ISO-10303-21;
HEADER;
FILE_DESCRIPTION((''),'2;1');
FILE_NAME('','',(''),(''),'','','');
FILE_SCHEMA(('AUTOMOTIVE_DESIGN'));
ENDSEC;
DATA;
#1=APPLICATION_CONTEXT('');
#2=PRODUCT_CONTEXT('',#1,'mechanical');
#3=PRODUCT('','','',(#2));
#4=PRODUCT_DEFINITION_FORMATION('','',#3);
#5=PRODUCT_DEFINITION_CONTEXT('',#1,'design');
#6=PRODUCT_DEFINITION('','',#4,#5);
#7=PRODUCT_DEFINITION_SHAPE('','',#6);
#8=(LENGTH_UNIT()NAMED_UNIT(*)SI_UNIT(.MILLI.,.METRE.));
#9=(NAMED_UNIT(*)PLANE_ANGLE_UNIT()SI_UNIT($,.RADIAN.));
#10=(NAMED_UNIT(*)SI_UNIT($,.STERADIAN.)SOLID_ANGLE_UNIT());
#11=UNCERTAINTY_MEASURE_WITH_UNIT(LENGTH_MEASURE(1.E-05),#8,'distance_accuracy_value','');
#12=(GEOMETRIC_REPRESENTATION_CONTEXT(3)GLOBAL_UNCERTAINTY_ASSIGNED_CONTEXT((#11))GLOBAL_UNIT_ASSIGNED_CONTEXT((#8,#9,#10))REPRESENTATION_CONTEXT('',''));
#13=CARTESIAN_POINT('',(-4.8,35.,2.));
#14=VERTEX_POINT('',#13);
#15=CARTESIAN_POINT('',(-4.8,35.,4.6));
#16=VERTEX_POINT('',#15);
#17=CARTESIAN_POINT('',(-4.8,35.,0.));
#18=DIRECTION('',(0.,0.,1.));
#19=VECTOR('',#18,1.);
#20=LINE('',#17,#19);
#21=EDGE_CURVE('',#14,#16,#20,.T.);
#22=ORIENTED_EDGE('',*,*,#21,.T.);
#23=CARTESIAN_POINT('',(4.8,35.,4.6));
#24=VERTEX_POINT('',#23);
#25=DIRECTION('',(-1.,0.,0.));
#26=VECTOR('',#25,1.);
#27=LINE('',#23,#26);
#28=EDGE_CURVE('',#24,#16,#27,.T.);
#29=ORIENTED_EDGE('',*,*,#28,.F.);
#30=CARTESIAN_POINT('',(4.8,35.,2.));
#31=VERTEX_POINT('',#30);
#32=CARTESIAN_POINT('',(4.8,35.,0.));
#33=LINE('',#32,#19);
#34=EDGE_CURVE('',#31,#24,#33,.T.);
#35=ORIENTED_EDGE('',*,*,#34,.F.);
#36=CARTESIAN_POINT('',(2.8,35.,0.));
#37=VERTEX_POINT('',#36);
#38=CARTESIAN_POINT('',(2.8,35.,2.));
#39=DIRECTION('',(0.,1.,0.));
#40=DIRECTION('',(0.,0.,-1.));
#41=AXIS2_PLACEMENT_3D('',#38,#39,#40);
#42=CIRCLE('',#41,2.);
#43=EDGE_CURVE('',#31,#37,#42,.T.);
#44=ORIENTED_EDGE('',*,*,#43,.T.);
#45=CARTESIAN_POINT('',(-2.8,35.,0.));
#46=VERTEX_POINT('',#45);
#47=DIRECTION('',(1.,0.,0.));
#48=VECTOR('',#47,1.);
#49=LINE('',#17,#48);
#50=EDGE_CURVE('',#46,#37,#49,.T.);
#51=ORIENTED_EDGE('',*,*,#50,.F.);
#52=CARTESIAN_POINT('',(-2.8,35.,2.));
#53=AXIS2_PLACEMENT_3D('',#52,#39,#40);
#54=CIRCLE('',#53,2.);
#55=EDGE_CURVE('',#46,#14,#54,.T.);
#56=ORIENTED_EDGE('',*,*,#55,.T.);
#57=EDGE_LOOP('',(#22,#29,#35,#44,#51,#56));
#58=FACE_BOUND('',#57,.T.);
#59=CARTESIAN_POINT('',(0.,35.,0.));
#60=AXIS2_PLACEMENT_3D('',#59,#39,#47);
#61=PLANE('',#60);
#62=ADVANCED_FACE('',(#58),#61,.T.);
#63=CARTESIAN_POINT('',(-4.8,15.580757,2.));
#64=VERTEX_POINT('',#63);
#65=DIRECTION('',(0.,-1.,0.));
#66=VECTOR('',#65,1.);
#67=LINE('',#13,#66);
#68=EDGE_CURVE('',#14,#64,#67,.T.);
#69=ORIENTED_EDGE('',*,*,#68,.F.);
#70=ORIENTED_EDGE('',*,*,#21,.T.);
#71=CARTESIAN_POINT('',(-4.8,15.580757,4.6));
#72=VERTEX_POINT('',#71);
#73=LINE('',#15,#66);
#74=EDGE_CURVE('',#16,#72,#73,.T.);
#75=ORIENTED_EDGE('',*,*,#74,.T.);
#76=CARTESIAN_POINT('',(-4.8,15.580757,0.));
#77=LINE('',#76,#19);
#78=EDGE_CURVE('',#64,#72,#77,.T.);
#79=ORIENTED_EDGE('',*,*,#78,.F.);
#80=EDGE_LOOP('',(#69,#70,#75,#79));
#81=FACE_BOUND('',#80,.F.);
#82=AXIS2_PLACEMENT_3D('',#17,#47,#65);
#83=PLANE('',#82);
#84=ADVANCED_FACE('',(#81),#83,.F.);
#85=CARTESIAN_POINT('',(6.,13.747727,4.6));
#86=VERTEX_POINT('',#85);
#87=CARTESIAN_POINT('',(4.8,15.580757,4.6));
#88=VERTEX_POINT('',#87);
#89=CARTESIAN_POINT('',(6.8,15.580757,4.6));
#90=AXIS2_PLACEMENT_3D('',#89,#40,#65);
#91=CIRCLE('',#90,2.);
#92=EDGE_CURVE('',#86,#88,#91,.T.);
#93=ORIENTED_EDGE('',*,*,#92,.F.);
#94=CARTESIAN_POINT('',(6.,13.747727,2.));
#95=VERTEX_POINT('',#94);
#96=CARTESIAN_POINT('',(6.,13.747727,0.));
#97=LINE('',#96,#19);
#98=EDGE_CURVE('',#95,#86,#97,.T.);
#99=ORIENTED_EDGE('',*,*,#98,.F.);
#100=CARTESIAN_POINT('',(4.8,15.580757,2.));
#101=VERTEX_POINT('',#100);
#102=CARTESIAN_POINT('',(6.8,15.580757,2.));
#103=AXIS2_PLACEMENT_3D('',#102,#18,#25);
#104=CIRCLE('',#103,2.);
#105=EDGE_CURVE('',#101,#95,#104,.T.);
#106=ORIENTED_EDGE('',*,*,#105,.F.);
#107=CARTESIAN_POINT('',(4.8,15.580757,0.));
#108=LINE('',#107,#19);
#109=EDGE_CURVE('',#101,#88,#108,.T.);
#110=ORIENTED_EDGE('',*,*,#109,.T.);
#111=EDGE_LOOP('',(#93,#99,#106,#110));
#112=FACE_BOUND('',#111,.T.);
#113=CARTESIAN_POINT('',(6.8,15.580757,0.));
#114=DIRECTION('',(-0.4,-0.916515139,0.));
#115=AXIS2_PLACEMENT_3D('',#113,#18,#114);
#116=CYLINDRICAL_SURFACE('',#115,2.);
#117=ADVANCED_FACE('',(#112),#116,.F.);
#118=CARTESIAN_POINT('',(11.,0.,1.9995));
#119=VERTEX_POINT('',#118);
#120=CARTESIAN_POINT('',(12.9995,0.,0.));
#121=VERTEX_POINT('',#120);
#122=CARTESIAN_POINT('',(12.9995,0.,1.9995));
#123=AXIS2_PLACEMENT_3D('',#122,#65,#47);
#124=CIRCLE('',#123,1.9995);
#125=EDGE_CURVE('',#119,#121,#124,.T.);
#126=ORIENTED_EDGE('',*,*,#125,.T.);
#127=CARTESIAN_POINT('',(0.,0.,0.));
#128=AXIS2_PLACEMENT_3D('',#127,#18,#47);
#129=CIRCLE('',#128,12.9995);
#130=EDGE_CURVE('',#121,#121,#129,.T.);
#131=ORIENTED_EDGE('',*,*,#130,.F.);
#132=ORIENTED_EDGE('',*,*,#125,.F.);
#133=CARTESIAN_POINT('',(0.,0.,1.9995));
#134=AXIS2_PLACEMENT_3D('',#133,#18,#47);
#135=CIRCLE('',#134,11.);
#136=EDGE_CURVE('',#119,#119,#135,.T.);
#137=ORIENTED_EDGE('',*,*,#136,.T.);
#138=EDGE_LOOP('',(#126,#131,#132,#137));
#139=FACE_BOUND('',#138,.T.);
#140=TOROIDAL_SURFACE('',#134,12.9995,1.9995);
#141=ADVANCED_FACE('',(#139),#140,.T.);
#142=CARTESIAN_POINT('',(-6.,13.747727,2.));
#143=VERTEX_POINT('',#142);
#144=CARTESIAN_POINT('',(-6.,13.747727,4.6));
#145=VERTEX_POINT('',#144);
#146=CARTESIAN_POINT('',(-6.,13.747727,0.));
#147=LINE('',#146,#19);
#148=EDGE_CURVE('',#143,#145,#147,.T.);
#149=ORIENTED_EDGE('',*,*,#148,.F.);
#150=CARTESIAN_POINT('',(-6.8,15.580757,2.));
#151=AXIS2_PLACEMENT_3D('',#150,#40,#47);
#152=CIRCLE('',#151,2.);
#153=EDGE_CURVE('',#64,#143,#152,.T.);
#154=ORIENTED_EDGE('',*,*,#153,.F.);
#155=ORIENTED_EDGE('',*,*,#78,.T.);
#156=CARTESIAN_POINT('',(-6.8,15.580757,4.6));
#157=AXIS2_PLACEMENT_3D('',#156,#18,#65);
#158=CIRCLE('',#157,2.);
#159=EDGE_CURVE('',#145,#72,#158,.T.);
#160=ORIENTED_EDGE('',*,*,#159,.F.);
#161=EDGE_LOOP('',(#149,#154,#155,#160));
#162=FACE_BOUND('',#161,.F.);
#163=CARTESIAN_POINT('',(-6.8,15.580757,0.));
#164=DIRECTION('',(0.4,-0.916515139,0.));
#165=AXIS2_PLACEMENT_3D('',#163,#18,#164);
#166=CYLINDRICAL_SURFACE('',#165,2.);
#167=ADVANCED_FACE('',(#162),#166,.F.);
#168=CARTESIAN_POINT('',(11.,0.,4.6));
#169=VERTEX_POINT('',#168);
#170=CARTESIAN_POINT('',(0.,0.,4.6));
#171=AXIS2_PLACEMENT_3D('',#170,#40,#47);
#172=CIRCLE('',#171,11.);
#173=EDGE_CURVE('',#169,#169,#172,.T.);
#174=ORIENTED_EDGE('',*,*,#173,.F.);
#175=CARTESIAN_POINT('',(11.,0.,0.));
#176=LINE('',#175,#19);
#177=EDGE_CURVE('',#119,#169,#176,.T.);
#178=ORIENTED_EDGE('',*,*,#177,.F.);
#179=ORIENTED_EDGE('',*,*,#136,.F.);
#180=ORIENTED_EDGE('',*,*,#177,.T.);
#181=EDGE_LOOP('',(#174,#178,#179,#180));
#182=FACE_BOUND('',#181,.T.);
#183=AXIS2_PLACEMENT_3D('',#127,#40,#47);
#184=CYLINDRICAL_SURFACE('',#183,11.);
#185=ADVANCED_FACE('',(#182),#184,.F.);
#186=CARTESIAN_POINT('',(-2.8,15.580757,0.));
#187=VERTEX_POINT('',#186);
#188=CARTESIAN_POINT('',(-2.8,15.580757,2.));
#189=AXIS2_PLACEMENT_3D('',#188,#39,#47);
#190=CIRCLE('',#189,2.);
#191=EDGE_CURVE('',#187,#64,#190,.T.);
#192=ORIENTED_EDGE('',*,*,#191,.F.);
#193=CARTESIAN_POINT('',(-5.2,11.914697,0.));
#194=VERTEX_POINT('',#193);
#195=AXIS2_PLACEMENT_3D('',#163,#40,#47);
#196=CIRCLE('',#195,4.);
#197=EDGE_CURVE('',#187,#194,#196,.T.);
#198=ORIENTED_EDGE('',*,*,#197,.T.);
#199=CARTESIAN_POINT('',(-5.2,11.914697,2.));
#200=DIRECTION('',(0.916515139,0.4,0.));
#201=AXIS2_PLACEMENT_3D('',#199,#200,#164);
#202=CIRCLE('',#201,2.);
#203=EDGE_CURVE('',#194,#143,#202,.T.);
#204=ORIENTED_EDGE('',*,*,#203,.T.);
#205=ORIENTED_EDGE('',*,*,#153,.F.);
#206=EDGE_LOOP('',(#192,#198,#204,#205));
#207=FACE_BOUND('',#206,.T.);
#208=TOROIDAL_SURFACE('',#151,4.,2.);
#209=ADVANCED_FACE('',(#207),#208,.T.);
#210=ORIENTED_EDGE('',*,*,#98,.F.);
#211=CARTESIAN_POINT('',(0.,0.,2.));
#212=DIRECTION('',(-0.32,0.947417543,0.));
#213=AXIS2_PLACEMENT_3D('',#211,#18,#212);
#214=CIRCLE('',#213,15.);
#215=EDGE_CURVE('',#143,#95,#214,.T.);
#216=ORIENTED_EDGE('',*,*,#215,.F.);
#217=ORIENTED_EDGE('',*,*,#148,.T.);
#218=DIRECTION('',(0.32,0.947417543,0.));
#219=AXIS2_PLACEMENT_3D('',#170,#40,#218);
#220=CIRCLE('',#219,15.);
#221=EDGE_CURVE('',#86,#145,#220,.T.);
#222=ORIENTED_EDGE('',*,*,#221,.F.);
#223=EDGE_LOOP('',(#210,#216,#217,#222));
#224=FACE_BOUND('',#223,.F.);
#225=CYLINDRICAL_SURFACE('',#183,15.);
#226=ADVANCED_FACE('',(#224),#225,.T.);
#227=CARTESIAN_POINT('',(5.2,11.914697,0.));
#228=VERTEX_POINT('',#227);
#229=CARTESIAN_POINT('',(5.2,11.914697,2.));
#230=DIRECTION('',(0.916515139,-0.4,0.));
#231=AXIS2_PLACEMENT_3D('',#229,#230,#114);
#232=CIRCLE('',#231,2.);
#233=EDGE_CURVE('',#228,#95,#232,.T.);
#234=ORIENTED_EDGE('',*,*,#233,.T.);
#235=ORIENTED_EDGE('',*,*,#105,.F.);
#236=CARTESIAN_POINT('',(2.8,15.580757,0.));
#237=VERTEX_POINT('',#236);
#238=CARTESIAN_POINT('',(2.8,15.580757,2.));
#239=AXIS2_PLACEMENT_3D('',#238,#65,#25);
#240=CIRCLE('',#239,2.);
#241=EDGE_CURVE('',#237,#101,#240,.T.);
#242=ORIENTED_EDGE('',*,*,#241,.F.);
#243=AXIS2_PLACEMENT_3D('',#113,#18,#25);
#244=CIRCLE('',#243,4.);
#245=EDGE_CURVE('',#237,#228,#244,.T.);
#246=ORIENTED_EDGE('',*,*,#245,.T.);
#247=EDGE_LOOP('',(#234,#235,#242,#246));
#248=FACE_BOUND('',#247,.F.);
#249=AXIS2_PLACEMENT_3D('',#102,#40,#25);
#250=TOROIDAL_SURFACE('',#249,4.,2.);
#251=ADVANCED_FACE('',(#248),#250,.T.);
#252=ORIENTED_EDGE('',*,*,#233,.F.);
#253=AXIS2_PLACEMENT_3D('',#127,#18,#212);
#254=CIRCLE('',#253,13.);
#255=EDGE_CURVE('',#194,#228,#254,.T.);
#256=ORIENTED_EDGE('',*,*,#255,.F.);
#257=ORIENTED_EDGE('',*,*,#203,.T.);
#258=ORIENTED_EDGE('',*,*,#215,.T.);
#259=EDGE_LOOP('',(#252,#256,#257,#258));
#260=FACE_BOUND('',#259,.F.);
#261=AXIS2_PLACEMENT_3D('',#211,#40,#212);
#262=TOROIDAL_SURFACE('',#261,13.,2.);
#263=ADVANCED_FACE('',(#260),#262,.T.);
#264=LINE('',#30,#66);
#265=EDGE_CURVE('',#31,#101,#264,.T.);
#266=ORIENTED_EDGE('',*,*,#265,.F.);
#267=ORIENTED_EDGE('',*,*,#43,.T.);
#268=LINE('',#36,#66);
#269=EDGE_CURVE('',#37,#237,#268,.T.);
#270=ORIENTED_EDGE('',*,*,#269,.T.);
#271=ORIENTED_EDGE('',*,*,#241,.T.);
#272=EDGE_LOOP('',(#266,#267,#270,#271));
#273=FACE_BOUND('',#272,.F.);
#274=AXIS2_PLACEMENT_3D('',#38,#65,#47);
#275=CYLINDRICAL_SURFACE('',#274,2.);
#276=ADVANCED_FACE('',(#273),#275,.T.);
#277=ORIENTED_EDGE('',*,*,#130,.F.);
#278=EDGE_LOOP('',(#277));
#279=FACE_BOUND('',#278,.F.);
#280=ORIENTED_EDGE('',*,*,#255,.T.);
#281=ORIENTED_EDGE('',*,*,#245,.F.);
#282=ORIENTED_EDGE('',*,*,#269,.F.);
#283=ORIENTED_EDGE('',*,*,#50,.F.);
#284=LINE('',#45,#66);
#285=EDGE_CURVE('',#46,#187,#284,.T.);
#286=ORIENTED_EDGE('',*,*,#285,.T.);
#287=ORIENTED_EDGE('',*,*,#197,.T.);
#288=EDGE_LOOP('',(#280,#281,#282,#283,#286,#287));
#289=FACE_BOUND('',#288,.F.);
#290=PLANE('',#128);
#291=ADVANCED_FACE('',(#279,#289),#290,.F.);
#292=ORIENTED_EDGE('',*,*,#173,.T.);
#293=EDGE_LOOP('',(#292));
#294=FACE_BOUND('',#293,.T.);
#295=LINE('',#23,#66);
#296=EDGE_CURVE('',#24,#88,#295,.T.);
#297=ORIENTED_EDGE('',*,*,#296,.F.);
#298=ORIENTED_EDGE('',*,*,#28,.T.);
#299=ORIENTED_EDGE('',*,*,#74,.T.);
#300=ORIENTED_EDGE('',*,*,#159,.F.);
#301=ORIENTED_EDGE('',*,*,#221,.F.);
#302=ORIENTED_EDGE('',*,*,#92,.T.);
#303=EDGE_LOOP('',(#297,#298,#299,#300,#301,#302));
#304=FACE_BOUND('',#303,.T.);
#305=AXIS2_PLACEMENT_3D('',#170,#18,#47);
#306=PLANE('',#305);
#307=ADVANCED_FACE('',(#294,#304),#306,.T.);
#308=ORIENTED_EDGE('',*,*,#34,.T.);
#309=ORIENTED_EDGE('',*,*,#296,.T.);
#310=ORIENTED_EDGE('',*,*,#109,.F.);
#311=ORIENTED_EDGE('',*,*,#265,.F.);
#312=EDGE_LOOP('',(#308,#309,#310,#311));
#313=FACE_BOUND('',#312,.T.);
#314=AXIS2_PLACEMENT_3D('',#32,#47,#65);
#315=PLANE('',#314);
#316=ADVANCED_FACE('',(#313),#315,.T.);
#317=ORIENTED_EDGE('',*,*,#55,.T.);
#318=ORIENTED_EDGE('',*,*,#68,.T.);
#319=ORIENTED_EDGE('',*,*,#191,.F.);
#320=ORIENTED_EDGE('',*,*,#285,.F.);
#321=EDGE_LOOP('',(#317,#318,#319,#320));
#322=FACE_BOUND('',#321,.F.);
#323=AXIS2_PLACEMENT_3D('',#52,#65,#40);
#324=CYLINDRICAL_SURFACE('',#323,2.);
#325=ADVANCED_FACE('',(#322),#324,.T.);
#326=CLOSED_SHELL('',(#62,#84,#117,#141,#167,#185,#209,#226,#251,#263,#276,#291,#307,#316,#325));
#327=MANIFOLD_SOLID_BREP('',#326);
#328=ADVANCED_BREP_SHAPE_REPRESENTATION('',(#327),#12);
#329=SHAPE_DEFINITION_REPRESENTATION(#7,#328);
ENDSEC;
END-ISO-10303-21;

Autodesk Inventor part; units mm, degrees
ref_plane "YZ Plane" through (0, 0, 0) normal (1, 0, 0) x (0, 1, 0)
ref_plane "XZ Plane" through (0, 0, 0) normal (0, 1, 0) x (-1, 0, 0)
ref_plane "XY Plane" through (0, 0, 0) normal (0, 0, 1) x (1, 0, 0)
sketch "Sketch10" plane through (0, 0, 0) normal (0, 0, 1) x (1, 0, 0)
  circle A0 centre (0, 0) radius 11
  circle A1 centre (0, 0) radius 15
  line L0 (0, 11) -> (0, 35)
  line L1 (0, 35) -> (4.8, 35)
  line L2 (4.8, 35) -> (4.8, 11)
  line L3 (4.8, 11) -> (0, 11)
  line L4 (0, 11) -> (24, 11) construction
  line L5 (4.8, 11) -> (4.8, 35)
  line L6 (4.8, 35) -> (-4.8, 35)
  line L7 (-4.8, 35) -> (-4.8, 11)
  line L8 (-4.8, 11) -> (4.8, 11)
  point P0 (-4.8, 14.2113)
  point P1 (4.8, 14.2113)
  dimension "d75" = 22
  dimension "d76" = 30
  dimension "d77" = 24
  dimension "d78" = 90
  dimension "d79" = 4.8
  dimension "d80" = 9.6
extrude "Extrusion8" add sketch "Sketch10" along normal blind 4.6
fillet "Fillet6" radius 2 5 edges at (4.8, 24.6056, 0) (-4.8, 24.6056, 0) (0, -15, 0) (4.8, 14.2113, 2.3) (-4.8, 14.2113, 2.3)
fillet "Fillet7" radius 2 1 edges at (-11, 0, 0)
properties part number "A1 Holder"
